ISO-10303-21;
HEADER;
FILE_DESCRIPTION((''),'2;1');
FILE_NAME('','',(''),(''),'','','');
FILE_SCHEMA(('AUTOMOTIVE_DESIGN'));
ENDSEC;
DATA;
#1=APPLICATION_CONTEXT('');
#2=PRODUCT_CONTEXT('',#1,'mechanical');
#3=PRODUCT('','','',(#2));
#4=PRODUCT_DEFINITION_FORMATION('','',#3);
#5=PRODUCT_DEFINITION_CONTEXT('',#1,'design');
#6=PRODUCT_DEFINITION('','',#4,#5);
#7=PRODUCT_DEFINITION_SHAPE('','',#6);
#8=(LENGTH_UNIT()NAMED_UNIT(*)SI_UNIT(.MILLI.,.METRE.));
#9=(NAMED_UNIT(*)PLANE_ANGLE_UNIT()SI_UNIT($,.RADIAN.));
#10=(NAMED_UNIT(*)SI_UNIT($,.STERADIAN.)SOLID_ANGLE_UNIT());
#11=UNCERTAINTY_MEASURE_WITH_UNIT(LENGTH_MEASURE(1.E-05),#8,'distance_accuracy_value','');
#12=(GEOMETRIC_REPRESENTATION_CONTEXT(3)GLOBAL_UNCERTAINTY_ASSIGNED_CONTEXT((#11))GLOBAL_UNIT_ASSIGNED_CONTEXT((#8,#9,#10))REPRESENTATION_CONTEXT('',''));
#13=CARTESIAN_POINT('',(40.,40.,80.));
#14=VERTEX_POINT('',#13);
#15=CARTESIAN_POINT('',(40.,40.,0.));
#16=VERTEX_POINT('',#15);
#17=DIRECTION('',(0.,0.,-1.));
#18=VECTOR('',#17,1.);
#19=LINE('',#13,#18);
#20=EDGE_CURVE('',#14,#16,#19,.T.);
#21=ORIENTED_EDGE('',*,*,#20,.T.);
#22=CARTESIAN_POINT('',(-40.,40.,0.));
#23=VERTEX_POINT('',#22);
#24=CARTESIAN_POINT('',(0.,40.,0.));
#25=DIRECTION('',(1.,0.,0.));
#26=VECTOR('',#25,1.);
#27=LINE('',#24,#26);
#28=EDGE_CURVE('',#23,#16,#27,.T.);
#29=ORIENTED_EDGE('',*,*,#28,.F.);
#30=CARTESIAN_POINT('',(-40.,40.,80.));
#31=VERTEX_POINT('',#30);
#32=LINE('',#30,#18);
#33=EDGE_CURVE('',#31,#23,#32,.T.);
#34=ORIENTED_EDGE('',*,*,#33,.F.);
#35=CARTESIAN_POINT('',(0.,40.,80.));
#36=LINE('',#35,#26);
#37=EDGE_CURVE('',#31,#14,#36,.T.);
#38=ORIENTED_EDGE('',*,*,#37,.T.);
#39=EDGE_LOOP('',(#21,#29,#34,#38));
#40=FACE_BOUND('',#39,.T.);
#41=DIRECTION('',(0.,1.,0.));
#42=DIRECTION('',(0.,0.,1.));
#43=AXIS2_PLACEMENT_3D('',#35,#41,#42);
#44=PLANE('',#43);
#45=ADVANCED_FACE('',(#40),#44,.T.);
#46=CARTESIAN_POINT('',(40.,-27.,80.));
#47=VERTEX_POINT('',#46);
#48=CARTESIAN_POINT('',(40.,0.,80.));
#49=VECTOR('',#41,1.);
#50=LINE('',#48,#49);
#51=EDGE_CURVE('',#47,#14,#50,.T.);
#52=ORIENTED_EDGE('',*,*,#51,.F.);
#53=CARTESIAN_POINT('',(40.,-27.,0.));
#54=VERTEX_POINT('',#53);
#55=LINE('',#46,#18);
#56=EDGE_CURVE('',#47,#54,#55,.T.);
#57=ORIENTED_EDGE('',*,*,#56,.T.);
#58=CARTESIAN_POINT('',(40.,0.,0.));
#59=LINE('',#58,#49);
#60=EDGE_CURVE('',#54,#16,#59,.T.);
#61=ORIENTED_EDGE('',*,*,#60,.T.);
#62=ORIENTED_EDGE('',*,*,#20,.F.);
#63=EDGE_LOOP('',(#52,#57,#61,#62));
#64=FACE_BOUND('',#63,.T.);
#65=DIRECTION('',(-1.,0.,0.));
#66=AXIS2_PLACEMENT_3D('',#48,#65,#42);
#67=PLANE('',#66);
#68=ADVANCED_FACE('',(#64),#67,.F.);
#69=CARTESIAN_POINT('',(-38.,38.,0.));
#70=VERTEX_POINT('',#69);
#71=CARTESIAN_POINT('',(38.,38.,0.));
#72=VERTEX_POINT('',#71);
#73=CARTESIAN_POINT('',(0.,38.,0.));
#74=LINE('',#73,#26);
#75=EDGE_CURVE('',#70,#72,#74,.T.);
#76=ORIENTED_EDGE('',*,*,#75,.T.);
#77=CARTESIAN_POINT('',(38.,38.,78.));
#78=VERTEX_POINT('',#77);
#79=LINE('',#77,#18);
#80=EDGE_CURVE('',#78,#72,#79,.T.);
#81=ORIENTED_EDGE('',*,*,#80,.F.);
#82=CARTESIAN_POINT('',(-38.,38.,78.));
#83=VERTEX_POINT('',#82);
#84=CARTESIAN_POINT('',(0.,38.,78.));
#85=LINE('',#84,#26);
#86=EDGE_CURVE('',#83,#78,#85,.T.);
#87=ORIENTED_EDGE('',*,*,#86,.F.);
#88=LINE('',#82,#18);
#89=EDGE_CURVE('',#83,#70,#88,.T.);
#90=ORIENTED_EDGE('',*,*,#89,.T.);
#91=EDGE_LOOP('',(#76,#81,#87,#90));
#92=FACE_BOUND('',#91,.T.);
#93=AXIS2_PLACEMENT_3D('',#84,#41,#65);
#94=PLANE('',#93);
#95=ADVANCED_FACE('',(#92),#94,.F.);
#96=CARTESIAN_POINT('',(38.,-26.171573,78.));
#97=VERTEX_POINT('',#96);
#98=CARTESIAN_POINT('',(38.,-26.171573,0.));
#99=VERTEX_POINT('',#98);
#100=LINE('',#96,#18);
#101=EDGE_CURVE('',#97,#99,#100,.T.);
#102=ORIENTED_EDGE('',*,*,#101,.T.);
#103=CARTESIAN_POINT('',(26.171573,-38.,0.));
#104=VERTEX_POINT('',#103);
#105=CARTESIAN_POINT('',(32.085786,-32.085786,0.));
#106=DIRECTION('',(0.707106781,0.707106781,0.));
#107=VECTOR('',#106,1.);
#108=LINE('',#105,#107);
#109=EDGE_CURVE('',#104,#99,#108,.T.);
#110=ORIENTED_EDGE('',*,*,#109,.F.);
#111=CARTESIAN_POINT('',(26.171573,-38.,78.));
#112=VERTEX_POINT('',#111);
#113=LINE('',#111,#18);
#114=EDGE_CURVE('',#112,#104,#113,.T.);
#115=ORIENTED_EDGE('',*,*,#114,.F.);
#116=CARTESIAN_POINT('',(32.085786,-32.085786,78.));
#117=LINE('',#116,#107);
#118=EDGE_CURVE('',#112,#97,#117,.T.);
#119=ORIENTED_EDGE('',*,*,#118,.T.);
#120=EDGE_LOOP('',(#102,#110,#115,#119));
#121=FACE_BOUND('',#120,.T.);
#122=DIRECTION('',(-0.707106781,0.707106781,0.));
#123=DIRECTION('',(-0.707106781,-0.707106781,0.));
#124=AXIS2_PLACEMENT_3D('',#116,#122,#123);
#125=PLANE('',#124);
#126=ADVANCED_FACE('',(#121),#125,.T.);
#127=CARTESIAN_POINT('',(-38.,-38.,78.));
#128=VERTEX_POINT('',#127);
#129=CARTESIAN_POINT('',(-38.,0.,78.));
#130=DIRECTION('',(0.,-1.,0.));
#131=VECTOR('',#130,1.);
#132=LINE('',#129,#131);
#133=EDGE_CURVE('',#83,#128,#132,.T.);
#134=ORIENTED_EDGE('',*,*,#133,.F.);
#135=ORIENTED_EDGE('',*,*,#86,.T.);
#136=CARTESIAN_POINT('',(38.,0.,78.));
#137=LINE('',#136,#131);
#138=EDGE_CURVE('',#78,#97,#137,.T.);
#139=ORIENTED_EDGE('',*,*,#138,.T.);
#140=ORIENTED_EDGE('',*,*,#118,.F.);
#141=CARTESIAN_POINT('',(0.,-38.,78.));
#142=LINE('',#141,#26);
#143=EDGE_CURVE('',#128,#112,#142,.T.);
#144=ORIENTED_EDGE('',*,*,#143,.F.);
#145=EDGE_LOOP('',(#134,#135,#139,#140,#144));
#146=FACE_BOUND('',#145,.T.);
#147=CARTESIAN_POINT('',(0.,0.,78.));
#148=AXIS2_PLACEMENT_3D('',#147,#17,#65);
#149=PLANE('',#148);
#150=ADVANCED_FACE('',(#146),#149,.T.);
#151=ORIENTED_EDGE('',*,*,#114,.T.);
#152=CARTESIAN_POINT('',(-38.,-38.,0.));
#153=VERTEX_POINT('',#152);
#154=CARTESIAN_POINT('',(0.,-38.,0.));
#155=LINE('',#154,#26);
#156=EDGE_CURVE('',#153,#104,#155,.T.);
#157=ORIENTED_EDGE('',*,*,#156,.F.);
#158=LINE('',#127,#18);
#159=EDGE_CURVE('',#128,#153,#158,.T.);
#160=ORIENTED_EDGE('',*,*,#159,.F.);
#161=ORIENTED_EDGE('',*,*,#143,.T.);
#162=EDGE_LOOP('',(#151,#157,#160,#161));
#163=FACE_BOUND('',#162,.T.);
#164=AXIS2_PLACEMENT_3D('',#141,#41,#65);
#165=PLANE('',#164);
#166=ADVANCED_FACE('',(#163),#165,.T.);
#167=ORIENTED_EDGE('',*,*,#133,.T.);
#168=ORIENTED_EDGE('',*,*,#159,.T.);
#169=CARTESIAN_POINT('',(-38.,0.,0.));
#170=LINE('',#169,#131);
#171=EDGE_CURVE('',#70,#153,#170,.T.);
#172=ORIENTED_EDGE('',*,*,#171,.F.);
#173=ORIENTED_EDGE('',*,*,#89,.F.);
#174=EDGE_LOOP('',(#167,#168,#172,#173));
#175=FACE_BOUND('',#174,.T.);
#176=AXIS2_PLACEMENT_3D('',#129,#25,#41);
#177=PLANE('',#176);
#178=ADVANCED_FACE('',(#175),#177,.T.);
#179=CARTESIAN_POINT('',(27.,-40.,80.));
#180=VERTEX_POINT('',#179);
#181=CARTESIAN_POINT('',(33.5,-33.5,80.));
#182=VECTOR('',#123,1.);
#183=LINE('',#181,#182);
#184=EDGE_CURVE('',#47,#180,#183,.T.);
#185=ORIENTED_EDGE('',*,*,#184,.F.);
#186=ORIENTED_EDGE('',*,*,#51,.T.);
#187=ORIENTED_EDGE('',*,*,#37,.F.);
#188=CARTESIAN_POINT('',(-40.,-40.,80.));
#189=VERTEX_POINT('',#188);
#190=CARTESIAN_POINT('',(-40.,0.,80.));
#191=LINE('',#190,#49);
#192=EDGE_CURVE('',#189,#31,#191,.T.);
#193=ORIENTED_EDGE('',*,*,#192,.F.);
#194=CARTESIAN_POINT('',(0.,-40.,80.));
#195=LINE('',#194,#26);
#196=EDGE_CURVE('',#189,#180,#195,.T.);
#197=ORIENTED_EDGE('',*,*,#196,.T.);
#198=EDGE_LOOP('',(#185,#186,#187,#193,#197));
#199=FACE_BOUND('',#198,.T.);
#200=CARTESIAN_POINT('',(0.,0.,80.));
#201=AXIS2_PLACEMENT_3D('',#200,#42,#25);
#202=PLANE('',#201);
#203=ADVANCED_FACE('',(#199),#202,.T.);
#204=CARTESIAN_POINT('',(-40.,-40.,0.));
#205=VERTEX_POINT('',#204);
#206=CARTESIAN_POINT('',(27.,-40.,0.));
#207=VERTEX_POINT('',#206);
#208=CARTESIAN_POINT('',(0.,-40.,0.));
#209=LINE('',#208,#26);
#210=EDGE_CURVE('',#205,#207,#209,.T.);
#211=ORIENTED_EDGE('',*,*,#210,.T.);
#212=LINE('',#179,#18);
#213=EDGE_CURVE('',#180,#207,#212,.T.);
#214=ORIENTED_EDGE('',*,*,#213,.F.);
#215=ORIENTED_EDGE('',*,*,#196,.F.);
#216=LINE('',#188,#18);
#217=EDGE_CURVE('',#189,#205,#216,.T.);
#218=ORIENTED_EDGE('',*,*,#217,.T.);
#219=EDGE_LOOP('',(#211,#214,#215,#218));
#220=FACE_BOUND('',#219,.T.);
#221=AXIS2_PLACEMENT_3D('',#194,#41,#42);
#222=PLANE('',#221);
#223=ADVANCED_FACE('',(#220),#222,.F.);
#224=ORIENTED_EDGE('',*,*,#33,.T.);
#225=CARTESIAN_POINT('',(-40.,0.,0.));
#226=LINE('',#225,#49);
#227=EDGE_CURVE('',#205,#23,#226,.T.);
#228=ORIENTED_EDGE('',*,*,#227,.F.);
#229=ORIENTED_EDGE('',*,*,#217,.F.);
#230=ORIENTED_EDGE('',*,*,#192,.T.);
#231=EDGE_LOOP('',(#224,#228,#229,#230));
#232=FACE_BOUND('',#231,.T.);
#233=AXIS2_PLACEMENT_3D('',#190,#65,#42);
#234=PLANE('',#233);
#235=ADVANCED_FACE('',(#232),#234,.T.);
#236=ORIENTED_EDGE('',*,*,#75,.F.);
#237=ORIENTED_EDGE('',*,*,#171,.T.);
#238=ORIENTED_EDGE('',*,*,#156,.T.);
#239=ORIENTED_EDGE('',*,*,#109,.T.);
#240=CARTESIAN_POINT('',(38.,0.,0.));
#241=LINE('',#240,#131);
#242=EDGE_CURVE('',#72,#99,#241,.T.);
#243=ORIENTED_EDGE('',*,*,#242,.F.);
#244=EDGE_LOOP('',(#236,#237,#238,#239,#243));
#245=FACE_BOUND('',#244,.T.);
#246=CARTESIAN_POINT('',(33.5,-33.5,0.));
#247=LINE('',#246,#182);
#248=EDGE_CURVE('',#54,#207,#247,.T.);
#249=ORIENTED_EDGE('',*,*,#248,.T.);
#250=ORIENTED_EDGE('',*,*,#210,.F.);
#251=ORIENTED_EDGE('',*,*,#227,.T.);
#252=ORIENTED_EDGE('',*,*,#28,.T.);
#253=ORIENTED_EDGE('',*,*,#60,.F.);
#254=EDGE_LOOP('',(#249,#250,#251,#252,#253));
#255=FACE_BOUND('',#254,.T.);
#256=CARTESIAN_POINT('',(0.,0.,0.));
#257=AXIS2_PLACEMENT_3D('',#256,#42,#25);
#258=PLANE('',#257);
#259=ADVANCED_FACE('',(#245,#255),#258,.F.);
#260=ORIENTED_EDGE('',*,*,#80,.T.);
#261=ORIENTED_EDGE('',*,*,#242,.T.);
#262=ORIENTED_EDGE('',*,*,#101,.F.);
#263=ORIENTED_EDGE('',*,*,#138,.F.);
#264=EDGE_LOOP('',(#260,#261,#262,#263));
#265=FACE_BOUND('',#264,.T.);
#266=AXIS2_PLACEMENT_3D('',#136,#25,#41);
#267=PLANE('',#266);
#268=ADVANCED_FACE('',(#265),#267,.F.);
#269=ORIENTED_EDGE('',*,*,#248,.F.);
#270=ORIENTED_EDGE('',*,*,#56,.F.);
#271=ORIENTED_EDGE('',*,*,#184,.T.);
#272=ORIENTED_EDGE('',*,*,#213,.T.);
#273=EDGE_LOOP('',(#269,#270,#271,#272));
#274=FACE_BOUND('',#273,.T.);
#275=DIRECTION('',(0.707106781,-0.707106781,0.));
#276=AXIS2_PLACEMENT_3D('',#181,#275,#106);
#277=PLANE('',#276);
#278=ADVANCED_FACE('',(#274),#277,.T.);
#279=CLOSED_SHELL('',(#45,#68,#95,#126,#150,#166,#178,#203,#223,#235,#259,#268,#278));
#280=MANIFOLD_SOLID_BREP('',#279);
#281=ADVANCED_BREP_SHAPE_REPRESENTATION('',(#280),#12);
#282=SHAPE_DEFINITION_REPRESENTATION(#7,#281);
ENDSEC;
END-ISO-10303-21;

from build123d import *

# Parameters (mm, degrees)
BOSS_EXTRU_1_DEPTH      = 80
ENL_V_MAT_EXTRU_1_DEPTH = 78


with BuildPart() as part:
    # Esquisse1 → Boss.-Extru.1 (new body)
    with BuildSketch(Plane.XY):
        Polygon((27, -40), (40, -27), (40, 40), (-40, 40), (-40, -40), align=None)
    extrude(amount=BOSS_EXTRU_1_DEPTH)

    # Esquisse2 → Enlèv. mat.-Extru.1 (cut)
    with BuildSketch(Plane(origin=(0, 0, 0), x_dir=(-1, 0, 0), z_dir=(0, 0, -1))):
        Polygon((-38, -26.171572875), (-26.171572875, -38), (38, -38), (38, 38), (-38, 38), align=None)
    extrude(amount=-ENL_V_MAT_EXTRU_1_DEPTH, mode=Mode.SUBTRACT)


solid = part.part
